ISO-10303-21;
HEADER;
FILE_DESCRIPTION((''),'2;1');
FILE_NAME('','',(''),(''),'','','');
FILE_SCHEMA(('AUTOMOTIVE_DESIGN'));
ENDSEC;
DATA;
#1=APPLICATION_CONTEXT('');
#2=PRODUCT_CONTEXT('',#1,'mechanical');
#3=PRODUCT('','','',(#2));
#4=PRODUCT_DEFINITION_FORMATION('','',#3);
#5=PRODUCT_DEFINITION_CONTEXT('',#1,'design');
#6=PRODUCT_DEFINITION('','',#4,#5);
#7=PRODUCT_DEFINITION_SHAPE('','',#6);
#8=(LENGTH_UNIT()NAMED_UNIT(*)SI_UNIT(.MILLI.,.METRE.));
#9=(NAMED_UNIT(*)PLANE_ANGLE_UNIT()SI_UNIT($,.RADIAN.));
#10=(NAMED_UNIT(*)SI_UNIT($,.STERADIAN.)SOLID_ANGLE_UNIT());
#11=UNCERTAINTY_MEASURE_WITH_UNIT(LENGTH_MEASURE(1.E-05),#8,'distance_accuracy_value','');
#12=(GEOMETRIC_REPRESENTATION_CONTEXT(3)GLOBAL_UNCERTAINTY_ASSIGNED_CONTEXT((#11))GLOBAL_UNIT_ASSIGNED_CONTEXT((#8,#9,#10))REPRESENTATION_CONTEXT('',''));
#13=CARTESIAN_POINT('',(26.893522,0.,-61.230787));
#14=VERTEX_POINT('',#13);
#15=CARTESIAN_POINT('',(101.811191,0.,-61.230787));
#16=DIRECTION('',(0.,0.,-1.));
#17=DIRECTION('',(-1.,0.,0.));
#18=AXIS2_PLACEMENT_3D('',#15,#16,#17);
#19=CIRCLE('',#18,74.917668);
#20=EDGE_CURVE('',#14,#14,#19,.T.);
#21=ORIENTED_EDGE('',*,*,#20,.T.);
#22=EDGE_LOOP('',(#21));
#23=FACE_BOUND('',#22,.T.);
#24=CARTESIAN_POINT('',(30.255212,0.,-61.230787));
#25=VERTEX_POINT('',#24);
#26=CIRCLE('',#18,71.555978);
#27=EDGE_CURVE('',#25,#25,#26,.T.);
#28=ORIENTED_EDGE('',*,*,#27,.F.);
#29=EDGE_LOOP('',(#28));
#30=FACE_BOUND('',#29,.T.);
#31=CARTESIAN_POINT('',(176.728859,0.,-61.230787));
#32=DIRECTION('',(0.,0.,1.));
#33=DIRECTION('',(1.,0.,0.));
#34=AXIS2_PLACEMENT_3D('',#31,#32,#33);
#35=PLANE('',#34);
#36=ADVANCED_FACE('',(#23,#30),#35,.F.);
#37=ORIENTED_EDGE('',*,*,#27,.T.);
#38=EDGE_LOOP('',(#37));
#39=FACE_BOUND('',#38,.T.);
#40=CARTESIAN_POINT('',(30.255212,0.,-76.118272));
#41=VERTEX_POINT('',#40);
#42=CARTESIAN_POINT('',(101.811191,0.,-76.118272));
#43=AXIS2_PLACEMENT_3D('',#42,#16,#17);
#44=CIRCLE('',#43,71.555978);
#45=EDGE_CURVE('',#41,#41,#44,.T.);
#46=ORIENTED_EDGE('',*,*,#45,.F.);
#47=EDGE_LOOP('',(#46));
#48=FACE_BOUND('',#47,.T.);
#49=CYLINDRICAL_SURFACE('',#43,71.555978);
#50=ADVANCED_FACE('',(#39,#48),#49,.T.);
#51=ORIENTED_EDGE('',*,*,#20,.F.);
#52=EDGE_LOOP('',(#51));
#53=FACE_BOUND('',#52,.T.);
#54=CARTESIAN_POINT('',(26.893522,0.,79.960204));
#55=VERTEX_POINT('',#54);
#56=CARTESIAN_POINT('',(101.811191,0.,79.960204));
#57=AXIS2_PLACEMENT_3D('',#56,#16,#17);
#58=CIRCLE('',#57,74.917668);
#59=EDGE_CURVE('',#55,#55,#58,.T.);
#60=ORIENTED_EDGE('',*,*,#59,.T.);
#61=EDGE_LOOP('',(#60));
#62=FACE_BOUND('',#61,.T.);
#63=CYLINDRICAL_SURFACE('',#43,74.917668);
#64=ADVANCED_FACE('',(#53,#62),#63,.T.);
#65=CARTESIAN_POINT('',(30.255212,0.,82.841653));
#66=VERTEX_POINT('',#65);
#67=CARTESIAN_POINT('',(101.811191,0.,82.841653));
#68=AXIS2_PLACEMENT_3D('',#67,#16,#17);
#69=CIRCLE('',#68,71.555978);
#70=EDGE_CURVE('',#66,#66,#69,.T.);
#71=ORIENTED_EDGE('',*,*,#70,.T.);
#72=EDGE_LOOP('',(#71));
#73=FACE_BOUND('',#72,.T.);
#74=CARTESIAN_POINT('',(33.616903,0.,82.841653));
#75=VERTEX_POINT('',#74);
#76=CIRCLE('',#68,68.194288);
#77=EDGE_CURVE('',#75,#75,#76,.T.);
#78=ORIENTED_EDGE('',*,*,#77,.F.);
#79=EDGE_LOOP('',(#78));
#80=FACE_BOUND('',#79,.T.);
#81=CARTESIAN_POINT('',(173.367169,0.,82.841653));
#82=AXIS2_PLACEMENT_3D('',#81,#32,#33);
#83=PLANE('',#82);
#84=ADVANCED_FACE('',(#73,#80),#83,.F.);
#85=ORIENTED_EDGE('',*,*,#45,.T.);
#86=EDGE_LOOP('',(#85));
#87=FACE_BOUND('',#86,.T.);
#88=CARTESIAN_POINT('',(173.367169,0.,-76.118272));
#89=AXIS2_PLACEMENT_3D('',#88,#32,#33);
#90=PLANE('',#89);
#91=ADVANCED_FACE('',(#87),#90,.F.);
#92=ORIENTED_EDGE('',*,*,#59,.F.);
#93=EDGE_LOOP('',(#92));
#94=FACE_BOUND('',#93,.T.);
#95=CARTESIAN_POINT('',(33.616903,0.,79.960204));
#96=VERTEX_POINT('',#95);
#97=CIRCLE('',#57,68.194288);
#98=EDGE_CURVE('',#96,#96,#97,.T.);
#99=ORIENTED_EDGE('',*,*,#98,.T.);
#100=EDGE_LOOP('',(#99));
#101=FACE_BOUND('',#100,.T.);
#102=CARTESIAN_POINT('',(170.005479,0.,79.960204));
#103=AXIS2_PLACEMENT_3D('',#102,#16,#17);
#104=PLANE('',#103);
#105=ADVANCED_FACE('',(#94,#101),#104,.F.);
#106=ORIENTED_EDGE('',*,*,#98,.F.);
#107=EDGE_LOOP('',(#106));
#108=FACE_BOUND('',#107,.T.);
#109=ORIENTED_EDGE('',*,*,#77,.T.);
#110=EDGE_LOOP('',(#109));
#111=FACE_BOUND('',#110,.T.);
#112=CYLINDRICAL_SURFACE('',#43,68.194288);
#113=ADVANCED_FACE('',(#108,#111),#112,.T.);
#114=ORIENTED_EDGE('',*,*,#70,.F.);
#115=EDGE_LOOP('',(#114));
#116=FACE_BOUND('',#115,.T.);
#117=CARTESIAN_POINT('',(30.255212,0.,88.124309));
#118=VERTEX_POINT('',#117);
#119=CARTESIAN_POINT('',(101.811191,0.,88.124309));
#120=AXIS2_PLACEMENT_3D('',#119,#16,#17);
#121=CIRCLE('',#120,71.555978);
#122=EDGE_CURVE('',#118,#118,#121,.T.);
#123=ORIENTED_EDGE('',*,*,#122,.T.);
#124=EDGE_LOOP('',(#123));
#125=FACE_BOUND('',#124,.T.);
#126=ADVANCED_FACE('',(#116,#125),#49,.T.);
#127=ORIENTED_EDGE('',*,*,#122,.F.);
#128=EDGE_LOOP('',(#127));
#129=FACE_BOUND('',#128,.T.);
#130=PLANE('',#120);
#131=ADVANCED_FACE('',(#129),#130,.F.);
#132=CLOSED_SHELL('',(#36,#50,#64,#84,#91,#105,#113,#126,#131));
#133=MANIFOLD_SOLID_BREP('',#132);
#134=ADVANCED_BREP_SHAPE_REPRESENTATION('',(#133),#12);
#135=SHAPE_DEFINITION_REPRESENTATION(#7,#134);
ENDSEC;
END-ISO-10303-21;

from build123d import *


with BuildPart() as part:
    # Croquis1 → Revolución1 (revolve)
    with BuildSketch(Plane(origin=(0, 0, 0), x_dir=(1, 0, 0), z_dir=(0, 1, 0))):
        Polygon((101.811190524, -88.124308779), (173.367168769, -88.124308779), (173.367168769, -82.841652667), (170.005478516, -82.841652667), (170.005478516, -79.960203878), (176.728859022, -79.960203878), (176.728859022, 61.230786754), (173.367168769, 61.230786754), (173.367168769, 67.95416726), (173.367168769, 76.11827216), (101.811190524, 76.11827216), align=None)
    revolve(axis=Axis((101.811190524, 0, -76.11827216), (0, 0, 1)))


solid = part.part
